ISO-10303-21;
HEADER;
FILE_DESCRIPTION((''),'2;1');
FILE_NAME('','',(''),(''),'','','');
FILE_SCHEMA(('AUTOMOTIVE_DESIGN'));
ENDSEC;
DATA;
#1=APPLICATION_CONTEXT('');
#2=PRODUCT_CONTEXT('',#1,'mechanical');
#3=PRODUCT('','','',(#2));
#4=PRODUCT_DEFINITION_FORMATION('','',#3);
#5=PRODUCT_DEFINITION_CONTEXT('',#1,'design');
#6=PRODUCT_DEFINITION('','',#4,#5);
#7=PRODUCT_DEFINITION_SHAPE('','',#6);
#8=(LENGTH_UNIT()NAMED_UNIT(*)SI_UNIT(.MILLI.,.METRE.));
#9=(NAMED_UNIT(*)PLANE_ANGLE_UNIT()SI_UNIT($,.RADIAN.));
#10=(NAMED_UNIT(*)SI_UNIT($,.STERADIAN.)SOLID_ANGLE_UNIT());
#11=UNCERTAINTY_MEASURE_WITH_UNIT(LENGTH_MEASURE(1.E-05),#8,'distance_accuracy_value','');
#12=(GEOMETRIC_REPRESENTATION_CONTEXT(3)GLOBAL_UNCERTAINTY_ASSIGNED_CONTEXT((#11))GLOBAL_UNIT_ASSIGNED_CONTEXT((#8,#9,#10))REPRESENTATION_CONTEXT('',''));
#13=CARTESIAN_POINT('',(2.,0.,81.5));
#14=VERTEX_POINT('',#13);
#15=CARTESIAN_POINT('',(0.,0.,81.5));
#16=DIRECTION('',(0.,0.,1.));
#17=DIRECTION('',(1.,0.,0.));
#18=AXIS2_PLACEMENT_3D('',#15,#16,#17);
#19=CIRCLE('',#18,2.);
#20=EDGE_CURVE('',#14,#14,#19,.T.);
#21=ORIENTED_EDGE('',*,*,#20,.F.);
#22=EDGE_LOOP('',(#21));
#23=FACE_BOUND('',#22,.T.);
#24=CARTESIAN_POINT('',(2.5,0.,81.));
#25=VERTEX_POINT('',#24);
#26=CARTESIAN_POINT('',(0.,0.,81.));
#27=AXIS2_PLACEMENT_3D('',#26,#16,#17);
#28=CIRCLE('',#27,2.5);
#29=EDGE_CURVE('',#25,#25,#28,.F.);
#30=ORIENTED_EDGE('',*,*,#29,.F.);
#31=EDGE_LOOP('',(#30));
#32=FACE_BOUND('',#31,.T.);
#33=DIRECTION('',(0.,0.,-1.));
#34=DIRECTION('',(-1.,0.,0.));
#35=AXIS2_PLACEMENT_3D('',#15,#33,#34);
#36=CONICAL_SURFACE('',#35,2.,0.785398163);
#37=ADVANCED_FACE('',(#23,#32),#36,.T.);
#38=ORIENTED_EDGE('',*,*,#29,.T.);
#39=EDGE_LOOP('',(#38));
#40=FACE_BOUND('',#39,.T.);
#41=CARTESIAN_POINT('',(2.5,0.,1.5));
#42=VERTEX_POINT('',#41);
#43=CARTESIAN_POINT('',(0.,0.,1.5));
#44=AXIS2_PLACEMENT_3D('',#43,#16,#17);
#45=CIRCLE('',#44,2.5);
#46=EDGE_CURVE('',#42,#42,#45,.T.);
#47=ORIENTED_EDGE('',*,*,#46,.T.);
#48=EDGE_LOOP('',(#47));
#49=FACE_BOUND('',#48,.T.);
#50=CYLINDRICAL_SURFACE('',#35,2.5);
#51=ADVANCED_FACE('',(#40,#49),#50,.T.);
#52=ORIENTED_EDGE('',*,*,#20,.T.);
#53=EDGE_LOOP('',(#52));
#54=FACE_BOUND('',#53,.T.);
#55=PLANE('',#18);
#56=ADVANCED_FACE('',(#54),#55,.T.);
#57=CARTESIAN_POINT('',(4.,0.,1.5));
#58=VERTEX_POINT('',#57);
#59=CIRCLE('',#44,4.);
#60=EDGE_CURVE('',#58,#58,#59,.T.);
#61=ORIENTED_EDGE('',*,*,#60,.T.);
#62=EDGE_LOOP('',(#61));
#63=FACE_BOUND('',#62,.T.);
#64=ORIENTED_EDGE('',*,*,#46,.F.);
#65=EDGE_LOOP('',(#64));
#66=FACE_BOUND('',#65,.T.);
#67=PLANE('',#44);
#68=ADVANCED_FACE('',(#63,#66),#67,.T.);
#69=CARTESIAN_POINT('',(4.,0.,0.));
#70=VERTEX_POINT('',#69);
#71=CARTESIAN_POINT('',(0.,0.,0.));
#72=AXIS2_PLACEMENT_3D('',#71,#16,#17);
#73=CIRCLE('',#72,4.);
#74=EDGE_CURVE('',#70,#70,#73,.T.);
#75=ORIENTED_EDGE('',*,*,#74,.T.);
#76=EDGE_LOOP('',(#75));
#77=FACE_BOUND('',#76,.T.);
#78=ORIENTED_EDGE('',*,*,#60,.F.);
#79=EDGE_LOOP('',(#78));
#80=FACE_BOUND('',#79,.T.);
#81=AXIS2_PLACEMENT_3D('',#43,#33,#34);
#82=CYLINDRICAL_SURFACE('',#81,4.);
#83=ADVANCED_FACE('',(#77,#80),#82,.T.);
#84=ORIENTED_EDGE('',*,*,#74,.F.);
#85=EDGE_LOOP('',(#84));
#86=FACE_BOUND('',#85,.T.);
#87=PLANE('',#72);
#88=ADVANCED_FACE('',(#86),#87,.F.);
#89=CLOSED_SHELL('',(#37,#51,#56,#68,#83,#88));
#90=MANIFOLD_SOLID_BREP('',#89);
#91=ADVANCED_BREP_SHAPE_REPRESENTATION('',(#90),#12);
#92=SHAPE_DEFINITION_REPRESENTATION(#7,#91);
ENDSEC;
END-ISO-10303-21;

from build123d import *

# Parameters (mm, degrees)
SKETCH1_R           = 4
BOSS_EXTRUDE1_DEPTH = 1.5
SKETCH2_R           = 2.5
BOSS_EXTRUDE2_DEPTH = 80
CHAMFER1_SIZE       = 0.5


with BuildPart() as part:
    # Sketch1 → Boss-Extrude1 (new body)
    with BuildSketch(Plane.XY):
        Circle(SKETCH1_R)
    extrude(amount=BOSS_EXTRUDE1_DEPTH)

    # Sketch2 → Boss-Extrude2 (add)
    with BuildSketch(Plane.XY.offset(1.5)):
        Circle(SKETCH2_R)
    extrude(amount=BOSS_EXTRUDE2_DEPTH)

    # Chamfer1
    chamfer1_edges = [part.edges().sort_by_distance(p)[0] for p in [
        (-2.5, 0, 81.5),
    ]]
    chamfer(chamfer1_edges, length=CHAMFER1_SIZE)


solid = part.part
